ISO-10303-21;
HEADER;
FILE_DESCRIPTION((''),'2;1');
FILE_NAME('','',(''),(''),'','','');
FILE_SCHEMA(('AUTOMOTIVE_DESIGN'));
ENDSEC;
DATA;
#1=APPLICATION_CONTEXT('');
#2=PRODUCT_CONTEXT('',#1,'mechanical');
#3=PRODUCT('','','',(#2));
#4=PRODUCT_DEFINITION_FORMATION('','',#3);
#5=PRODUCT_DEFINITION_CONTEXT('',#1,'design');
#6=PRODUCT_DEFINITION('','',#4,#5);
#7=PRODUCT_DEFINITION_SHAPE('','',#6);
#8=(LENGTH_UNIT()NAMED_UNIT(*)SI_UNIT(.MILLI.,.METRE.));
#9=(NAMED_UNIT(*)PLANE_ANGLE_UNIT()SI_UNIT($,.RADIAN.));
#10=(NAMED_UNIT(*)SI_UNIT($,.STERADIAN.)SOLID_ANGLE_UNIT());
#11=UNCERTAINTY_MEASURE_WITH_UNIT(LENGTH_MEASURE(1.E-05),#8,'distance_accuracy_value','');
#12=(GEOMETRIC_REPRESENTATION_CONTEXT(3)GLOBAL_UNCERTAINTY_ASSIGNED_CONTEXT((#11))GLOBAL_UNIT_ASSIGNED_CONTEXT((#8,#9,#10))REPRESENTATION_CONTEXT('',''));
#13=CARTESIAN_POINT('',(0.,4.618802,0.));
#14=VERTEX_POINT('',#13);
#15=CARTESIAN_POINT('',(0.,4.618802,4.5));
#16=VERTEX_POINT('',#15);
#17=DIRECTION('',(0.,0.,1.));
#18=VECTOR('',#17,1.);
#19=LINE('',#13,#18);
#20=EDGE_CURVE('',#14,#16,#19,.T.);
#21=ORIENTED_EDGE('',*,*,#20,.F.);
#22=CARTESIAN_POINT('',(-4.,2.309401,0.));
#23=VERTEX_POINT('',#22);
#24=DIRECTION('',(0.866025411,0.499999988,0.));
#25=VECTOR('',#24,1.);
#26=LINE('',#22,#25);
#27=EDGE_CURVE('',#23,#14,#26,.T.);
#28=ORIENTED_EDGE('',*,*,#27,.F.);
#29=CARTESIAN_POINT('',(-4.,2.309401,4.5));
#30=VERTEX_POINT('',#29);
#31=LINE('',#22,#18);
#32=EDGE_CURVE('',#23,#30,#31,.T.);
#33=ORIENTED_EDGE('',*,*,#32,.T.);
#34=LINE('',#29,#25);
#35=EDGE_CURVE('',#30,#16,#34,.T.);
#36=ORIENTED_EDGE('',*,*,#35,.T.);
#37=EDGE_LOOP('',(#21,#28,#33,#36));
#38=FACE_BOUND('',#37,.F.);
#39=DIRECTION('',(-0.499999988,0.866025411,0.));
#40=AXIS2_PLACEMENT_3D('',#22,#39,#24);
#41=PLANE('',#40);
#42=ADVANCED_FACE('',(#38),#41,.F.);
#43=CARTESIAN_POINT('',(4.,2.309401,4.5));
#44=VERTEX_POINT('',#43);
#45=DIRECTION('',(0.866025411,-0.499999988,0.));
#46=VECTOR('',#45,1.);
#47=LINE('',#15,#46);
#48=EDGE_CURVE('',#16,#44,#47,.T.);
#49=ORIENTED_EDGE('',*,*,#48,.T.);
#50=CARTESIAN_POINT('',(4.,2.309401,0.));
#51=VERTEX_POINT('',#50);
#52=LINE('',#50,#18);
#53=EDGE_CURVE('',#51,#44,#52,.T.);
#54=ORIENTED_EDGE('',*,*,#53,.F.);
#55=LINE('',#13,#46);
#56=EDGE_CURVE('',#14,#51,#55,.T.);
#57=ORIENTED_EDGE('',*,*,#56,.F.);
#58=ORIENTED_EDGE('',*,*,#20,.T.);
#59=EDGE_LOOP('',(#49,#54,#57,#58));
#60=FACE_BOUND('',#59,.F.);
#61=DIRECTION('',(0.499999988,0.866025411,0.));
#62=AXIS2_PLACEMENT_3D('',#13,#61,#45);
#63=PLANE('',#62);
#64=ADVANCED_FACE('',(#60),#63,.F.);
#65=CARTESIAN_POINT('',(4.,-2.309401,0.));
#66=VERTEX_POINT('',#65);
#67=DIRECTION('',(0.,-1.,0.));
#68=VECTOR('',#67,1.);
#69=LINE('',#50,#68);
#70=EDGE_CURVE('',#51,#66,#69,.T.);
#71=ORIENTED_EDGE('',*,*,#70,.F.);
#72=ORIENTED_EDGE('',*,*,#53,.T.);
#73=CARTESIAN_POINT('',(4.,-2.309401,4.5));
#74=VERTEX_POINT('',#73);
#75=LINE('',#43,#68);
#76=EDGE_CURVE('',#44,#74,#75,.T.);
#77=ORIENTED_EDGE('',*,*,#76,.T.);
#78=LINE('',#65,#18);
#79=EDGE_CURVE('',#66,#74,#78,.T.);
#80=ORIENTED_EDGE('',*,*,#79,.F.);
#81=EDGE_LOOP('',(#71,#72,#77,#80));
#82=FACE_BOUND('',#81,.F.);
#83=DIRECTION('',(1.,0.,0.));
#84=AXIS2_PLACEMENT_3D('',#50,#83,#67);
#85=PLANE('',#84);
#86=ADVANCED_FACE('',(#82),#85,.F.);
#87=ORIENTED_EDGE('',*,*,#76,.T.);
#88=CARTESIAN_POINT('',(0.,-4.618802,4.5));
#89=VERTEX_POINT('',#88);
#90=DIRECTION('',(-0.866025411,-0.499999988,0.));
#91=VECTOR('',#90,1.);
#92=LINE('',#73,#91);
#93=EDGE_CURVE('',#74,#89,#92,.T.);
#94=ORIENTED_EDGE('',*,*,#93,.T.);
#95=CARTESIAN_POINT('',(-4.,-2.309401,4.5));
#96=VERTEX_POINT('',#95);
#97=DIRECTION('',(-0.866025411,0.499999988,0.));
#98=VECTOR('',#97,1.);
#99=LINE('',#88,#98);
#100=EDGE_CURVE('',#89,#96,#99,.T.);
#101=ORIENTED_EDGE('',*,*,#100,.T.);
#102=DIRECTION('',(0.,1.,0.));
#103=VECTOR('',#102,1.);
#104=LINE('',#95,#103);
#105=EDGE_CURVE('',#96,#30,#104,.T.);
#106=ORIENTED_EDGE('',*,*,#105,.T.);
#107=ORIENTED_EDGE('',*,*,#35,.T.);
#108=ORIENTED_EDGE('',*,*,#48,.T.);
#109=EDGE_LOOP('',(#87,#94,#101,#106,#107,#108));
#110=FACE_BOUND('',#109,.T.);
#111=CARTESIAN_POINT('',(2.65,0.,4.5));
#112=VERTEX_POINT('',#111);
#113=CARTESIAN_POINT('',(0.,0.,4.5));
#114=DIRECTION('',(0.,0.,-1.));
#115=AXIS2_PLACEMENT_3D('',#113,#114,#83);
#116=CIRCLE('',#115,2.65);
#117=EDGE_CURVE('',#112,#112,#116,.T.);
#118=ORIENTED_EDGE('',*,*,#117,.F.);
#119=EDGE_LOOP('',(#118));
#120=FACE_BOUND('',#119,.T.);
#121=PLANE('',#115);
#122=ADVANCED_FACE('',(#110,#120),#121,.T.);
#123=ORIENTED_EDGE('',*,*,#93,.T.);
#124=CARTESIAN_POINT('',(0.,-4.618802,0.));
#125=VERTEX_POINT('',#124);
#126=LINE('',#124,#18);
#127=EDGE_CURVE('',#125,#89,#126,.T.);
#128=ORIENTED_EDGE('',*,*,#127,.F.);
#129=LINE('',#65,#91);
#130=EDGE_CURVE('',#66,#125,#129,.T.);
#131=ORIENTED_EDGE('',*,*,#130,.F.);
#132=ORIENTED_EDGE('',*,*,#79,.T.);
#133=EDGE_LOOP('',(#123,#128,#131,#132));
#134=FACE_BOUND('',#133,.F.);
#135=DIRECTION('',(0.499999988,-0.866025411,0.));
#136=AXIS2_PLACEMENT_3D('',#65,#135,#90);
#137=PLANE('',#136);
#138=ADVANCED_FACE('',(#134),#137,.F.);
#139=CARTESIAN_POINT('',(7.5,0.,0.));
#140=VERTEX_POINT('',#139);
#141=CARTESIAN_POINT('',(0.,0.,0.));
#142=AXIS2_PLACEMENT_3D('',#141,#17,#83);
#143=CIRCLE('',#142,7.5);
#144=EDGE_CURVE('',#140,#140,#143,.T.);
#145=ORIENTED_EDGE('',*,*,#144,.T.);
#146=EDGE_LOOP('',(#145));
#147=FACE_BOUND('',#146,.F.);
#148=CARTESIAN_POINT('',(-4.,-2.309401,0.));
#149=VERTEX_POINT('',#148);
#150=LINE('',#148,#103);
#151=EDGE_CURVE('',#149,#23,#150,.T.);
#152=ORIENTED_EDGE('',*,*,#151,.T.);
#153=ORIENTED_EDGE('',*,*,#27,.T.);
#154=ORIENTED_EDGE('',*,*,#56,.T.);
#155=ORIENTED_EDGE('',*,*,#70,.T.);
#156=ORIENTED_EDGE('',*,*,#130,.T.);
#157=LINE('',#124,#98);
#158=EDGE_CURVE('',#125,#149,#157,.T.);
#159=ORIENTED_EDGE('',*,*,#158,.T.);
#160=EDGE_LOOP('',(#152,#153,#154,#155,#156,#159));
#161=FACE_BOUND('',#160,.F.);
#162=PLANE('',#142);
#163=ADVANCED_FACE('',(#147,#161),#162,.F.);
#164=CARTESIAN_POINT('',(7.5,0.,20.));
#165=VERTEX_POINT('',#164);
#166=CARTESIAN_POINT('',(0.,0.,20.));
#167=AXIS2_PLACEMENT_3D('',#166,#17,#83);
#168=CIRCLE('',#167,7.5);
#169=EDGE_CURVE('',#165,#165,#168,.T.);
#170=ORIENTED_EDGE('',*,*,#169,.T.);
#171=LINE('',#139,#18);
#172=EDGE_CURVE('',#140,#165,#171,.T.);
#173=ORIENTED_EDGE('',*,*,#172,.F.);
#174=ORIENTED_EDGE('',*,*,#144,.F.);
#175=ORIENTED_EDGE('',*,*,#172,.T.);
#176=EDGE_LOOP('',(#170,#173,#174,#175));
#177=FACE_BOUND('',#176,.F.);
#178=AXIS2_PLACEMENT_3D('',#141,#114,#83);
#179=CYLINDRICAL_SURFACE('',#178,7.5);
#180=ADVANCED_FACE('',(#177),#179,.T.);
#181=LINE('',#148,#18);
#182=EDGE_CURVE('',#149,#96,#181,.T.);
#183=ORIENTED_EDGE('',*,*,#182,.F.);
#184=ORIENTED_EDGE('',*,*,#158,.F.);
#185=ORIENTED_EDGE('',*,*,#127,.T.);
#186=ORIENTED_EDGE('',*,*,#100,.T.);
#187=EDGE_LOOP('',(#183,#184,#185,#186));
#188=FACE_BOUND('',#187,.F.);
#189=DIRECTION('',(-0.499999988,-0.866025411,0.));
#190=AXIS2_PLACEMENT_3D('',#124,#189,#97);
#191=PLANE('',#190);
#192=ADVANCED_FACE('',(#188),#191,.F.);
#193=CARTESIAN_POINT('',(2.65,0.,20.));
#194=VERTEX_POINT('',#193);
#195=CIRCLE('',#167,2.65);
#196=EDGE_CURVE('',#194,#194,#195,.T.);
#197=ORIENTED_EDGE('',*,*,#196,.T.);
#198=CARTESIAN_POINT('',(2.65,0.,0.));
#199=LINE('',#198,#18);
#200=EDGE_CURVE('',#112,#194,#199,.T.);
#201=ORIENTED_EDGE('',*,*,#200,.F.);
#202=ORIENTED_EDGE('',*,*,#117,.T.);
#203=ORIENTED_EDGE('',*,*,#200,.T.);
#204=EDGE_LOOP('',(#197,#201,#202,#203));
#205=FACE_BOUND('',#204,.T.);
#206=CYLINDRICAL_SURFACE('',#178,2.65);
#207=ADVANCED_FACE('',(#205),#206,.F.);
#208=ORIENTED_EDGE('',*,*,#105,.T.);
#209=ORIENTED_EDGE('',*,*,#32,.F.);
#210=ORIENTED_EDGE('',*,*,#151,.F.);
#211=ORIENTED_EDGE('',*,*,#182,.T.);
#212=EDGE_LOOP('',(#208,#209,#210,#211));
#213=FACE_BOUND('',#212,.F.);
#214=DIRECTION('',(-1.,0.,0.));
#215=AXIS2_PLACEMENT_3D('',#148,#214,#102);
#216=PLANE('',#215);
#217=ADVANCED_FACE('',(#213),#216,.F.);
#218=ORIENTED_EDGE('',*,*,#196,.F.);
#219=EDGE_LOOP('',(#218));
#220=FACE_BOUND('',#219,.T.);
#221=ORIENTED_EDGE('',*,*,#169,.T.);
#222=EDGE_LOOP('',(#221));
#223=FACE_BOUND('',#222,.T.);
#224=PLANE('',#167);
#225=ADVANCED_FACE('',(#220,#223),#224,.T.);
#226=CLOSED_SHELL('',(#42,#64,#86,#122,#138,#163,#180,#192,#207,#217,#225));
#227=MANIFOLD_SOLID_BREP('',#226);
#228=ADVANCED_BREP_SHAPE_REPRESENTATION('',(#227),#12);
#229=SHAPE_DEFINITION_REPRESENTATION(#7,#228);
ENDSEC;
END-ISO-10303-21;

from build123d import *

# Parameters (mm, degrees)
F0_R     = 7.5
F0_R_2   = 2.65
F1_DEPTH = 20
F3_DEPTH = 4.5


with BuildPart() as f1:
    # F0 (on Top) → F1 (new body)
    with BuildSketch(Plane.XY):
        Circle(F0_R)
        Circle(F0_R_2, mode=Mode.SUBTRACT)
    extrude(amount=F1_DEPTH)

    # F2 (on face) → F3 (cut)
    with BuildSketch(Plane(origin=(0, 0, 0), x_dir=(1, 0, 0), z_dir=(0, 0, -1))):
        Polygon((4, 2.309401), (0, 4.618802), (-4, 2.309401), (-4, -2.309401), (0, -4.618802), (4, -2.309401), align=None)
    extrude(amount=-F3_DEPTH, mode=Mode.SUBTRACT)


solid = f1.part
